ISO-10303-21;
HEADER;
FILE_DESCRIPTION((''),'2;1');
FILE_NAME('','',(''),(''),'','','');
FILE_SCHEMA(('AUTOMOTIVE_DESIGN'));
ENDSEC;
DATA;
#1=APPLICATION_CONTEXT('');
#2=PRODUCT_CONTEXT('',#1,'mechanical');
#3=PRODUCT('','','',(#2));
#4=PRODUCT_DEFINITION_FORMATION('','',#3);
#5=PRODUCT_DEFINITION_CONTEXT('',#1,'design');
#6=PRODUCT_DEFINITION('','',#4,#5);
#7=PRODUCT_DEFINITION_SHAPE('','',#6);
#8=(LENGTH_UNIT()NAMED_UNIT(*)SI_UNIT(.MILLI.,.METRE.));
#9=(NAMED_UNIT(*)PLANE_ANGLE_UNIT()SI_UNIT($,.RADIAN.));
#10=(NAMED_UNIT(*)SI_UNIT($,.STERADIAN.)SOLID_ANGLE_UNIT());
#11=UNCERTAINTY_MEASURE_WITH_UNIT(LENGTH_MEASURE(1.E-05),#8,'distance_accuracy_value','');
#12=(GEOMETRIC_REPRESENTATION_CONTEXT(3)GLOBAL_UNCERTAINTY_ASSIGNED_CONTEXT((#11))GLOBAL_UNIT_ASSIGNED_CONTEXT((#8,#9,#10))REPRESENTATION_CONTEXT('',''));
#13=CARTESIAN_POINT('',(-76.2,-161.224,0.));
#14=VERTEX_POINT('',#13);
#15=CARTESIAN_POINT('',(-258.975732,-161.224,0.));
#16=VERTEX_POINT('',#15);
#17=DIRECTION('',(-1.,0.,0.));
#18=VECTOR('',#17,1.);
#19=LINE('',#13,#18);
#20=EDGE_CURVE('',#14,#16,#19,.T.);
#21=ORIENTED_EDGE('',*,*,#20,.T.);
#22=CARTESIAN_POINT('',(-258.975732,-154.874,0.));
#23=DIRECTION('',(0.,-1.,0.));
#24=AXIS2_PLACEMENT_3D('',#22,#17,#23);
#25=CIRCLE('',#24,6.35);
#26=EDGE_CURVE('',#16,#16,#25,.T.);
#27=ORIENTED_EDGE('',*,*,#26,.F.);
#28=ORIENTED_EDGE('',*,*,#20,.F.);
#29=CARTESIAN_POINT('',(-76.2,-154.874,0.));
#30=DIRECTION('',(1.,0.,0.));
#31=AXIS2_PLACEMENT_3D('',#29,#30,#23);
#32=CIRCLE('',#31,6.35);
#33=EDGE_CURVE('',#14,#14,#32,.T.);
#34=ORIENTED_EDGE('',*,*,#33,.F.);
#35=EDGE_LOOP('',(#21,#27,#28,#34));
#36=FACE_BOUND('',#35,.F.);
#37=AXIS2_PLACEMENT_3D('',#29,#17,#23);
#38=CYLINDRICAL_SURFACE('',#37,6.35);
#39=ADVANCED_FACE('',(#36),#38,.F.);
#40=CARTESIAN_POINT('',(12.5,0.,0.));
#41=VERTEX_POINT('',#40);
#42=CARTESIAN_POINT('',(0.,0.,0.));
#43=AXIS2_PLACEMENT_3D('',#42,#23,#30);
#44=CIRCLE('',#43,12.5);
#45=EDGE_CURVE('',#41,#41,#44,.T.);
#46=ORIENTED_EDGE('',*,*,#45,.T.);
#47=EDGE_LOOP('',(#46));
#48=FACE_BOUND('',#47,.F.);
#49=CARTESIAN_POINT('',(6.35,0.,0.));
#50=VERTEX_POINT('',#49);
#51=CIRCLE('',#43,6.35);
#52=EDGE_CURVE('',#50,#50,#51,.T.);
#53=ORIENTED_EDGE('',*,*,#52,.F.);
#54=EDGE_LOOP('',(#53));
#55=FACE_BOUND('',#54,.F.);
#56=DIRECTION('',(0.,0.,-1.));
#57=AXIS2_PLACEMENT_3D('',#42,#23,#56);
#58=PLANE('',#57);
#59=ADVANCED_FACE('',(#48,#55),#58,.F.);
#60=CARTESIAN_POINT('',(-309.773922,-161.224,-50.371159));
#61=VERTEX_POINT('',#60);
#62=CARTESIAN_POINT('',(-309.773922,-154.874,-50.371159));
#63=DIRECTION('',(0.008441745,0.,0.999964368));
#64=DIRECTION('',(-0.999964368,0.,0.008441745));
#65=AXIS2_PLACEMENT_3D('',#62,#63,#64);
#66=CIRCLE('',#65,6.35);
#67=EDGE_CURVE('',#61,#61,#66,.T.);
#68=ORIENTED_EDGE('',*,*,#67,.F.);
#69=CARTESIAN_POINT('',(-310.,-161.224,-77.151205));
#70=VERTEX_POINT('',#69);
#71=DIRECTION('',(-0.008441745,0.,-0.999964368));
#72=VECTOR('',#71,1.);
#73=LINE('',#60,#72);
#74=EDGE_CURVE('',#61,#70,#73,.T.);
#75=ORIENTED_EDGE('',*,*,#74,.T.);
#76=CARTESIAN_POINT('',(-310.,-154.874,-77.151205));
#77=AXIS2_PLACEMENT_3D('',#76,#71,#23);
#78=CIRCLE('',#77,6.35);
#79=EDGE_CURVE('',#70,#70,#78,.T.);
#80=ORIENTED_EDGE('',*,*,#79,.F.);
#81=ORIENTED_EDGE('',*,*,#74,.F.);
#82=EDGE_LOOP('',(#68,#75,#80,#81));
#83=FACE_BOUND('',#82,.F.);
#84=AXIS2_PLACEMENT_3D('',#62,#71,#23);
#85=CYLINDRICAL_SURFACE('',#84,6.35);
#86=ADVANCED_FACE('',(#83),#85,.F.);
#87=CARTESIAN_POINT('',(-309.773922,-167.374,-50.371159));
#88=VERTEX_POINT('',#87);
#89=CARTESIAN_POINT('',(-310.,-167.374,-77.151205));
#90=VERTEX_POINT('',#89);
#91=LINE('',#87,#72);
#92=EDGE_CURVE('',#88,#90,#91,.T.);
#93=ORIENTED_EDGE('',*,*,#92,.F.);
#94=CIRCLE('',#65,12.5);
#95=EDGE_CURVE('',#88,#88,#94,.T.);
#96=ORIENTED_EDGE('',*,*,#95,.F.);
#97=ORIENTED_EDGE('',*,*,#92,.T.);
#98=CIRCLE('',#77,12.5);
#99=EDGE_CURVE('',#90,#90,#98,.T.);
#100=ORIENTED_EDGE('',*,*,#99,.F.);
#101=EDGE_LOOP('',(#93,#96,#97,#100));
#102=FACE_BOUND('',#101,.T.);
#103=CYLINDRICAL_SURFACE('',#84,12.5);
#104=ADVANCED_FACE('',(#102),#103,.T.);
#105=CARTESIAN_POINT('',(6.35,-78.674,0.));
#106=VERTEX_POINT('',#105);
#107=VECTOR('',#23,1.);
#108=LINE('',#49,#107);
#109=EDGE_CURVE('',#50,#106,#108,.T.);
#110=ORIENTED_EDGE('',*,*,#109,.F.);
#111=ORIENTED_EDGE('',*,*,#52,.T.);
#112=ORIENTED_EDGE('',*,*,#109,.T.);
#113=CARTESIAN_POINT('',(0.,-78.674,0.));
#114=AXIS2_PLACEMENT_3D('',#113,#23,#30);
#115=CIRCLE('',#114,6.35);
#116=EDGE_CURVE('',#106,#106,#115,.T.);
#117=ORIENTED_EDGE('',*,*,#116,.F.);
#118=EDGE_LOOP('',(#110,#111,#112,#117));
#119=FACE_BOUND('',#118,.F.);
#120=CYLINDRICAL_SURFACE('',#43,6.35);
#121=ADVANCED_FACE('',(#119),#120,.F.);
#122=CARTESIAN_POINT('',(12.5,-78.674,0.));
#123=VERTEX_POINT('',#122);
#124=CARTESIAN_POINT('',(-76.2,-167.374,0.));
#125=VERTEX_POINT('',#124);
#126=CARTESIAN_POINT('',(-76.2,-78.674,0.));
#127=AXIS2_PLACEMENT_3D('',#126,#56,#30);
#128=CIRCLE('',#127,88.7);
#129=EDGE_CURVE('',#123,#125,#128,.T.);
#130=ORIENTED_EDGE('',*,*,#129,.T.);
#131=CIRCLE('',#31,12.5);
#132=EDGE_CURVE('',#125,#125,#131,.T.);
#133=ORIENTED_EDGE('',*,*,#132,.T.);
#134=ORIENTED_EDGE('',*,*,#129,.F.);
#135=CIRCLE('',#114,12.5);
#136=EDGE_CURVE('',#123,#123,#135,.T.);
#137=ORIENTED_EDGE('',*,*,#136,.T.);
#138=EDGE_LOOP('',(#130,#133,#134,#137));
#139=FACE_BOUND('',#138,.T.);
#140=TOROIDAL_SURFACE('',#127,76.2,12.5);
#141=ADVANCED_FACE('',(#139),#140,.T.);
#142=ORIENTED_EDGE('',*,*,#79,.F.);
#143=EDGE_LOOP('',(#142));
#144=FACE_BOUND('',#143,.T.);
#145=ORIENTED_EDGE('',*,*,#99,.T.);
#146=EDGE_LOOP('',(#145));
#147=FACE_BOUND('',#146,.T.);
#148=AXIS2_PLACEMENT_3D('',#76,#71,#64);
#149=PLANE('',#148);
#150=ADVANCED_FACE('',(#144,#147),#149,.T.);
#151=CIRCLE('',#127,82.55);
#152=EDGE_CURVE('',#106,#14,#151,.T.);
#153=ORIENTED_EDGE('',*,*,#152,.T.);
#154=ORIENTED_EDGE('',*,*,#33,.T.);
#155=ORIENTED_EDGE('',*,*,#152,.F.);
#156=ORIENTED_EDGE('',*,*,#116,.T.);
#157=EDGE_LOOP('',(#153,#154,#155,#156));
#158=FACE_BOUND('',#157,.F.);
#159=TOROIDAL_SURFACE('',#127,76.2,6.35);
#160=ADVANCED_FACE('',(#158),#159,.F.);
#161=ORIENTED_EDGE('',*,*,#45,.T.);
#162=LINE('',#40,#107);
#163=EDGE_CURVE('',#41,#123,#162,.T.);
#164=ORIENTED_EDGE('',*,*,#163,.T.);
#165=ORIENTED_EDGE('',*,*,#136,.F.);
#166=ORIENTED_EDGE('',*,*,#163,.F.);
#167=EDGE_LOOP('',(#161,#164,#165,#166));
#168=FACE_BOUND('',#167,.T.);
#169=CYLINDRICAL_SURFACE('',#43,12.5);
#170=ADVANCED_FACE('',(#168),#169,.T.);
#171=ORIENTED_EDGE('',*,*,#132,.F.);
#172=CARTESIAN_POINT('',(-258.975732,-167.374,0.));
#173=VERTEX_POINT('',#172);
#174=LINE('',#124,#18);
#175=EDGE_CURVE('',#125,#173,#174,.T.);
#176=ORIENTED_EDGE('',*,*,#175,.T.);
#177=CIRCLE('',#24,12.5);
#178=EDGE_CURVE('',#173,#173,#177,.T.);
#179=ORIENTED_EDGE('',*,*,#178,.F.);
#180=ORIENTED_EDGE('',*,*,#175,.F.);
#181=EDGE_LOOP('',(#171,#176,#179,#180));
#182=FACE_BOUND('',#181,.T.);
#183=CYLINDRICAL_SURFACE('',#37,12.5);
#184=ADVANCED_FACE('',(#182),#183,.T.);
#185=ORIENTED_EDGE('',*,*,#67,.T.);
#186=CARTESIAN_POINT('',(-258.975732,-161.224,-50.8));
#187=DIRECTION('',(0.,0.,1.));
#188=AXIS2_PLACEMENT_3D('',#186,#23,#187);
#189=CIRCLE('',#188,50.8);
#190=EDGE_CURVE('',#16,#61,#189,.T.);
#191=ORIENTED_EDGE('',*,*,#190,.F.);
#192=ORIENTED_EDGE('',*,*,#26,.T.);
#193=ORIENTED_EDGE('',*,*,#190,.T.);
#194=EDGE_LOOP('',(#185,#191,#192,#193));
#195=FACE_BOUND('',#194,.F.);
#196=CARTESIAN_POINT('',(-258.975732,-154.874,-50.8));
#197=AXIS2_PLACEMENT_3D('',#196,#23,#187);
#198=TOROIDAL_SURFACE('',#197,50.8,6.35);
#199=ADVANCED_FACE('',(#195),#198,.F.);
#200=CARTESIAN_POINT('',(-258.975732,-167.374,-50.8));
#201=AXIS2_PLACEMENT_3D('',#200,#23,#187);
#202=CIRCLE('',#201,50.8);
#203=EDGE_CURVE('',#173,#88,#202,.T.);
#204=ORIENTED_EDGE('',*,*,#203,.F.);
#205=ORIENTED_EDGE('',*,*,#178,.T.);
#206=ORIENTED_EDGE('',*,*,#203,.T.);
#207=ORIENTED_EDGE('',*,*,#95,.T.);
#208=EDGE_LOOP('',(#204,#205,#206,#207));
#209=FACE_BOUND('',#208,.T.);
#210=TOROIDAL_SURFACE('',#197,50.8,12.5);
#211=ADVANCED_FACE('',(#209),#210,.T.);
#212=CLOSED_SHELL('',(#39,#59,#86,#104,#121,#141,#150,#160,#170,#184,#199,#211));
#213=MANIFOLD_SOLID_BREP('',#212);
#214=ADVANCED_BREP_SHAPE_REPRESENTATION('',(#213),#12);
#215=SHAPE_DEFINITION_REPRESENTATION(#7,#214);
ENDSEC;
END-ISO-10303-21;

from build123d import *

# Parameters (mm, degrees)
F0_R   = 12.5
F0_R_2 = 6.35


with BuildPart() as f4:
    # F4: sweep along a path in F1, F3
    with BuildLine(Plane.XY) as f4_path:
        Line((0, 0), (0, -78.674))
        ThreePointArc((0, -78.674), (-22.3184632736, -132.5555367264), (-76.2, -154.874))
        Line((-76.2, -154.874), (-235.882, -154.874))
    with BuildLine(Plane.XZ.offset(154.874)) as f4_path_2:
        Line((-235.882, 0), (-258.9757317515, 0))
        ThreePointArc((-258.9757317515, 0), (-294.7448168404, -14.7276760951), (-309.7739216377, -50.371159374))
        Line((-309.7739216377, -50.371159374), (-310, -77.1512051091))
    # F0 (on Front) → F4 (sweep)
    with BuildSketch(Plane.XZ):
        Circle(F0_R)
        Circle(F0_R_2, mode=Mode.SUBTRACT)
    sweep(path=f4_path.line + f4_path_2.line)


solid = f4.part
